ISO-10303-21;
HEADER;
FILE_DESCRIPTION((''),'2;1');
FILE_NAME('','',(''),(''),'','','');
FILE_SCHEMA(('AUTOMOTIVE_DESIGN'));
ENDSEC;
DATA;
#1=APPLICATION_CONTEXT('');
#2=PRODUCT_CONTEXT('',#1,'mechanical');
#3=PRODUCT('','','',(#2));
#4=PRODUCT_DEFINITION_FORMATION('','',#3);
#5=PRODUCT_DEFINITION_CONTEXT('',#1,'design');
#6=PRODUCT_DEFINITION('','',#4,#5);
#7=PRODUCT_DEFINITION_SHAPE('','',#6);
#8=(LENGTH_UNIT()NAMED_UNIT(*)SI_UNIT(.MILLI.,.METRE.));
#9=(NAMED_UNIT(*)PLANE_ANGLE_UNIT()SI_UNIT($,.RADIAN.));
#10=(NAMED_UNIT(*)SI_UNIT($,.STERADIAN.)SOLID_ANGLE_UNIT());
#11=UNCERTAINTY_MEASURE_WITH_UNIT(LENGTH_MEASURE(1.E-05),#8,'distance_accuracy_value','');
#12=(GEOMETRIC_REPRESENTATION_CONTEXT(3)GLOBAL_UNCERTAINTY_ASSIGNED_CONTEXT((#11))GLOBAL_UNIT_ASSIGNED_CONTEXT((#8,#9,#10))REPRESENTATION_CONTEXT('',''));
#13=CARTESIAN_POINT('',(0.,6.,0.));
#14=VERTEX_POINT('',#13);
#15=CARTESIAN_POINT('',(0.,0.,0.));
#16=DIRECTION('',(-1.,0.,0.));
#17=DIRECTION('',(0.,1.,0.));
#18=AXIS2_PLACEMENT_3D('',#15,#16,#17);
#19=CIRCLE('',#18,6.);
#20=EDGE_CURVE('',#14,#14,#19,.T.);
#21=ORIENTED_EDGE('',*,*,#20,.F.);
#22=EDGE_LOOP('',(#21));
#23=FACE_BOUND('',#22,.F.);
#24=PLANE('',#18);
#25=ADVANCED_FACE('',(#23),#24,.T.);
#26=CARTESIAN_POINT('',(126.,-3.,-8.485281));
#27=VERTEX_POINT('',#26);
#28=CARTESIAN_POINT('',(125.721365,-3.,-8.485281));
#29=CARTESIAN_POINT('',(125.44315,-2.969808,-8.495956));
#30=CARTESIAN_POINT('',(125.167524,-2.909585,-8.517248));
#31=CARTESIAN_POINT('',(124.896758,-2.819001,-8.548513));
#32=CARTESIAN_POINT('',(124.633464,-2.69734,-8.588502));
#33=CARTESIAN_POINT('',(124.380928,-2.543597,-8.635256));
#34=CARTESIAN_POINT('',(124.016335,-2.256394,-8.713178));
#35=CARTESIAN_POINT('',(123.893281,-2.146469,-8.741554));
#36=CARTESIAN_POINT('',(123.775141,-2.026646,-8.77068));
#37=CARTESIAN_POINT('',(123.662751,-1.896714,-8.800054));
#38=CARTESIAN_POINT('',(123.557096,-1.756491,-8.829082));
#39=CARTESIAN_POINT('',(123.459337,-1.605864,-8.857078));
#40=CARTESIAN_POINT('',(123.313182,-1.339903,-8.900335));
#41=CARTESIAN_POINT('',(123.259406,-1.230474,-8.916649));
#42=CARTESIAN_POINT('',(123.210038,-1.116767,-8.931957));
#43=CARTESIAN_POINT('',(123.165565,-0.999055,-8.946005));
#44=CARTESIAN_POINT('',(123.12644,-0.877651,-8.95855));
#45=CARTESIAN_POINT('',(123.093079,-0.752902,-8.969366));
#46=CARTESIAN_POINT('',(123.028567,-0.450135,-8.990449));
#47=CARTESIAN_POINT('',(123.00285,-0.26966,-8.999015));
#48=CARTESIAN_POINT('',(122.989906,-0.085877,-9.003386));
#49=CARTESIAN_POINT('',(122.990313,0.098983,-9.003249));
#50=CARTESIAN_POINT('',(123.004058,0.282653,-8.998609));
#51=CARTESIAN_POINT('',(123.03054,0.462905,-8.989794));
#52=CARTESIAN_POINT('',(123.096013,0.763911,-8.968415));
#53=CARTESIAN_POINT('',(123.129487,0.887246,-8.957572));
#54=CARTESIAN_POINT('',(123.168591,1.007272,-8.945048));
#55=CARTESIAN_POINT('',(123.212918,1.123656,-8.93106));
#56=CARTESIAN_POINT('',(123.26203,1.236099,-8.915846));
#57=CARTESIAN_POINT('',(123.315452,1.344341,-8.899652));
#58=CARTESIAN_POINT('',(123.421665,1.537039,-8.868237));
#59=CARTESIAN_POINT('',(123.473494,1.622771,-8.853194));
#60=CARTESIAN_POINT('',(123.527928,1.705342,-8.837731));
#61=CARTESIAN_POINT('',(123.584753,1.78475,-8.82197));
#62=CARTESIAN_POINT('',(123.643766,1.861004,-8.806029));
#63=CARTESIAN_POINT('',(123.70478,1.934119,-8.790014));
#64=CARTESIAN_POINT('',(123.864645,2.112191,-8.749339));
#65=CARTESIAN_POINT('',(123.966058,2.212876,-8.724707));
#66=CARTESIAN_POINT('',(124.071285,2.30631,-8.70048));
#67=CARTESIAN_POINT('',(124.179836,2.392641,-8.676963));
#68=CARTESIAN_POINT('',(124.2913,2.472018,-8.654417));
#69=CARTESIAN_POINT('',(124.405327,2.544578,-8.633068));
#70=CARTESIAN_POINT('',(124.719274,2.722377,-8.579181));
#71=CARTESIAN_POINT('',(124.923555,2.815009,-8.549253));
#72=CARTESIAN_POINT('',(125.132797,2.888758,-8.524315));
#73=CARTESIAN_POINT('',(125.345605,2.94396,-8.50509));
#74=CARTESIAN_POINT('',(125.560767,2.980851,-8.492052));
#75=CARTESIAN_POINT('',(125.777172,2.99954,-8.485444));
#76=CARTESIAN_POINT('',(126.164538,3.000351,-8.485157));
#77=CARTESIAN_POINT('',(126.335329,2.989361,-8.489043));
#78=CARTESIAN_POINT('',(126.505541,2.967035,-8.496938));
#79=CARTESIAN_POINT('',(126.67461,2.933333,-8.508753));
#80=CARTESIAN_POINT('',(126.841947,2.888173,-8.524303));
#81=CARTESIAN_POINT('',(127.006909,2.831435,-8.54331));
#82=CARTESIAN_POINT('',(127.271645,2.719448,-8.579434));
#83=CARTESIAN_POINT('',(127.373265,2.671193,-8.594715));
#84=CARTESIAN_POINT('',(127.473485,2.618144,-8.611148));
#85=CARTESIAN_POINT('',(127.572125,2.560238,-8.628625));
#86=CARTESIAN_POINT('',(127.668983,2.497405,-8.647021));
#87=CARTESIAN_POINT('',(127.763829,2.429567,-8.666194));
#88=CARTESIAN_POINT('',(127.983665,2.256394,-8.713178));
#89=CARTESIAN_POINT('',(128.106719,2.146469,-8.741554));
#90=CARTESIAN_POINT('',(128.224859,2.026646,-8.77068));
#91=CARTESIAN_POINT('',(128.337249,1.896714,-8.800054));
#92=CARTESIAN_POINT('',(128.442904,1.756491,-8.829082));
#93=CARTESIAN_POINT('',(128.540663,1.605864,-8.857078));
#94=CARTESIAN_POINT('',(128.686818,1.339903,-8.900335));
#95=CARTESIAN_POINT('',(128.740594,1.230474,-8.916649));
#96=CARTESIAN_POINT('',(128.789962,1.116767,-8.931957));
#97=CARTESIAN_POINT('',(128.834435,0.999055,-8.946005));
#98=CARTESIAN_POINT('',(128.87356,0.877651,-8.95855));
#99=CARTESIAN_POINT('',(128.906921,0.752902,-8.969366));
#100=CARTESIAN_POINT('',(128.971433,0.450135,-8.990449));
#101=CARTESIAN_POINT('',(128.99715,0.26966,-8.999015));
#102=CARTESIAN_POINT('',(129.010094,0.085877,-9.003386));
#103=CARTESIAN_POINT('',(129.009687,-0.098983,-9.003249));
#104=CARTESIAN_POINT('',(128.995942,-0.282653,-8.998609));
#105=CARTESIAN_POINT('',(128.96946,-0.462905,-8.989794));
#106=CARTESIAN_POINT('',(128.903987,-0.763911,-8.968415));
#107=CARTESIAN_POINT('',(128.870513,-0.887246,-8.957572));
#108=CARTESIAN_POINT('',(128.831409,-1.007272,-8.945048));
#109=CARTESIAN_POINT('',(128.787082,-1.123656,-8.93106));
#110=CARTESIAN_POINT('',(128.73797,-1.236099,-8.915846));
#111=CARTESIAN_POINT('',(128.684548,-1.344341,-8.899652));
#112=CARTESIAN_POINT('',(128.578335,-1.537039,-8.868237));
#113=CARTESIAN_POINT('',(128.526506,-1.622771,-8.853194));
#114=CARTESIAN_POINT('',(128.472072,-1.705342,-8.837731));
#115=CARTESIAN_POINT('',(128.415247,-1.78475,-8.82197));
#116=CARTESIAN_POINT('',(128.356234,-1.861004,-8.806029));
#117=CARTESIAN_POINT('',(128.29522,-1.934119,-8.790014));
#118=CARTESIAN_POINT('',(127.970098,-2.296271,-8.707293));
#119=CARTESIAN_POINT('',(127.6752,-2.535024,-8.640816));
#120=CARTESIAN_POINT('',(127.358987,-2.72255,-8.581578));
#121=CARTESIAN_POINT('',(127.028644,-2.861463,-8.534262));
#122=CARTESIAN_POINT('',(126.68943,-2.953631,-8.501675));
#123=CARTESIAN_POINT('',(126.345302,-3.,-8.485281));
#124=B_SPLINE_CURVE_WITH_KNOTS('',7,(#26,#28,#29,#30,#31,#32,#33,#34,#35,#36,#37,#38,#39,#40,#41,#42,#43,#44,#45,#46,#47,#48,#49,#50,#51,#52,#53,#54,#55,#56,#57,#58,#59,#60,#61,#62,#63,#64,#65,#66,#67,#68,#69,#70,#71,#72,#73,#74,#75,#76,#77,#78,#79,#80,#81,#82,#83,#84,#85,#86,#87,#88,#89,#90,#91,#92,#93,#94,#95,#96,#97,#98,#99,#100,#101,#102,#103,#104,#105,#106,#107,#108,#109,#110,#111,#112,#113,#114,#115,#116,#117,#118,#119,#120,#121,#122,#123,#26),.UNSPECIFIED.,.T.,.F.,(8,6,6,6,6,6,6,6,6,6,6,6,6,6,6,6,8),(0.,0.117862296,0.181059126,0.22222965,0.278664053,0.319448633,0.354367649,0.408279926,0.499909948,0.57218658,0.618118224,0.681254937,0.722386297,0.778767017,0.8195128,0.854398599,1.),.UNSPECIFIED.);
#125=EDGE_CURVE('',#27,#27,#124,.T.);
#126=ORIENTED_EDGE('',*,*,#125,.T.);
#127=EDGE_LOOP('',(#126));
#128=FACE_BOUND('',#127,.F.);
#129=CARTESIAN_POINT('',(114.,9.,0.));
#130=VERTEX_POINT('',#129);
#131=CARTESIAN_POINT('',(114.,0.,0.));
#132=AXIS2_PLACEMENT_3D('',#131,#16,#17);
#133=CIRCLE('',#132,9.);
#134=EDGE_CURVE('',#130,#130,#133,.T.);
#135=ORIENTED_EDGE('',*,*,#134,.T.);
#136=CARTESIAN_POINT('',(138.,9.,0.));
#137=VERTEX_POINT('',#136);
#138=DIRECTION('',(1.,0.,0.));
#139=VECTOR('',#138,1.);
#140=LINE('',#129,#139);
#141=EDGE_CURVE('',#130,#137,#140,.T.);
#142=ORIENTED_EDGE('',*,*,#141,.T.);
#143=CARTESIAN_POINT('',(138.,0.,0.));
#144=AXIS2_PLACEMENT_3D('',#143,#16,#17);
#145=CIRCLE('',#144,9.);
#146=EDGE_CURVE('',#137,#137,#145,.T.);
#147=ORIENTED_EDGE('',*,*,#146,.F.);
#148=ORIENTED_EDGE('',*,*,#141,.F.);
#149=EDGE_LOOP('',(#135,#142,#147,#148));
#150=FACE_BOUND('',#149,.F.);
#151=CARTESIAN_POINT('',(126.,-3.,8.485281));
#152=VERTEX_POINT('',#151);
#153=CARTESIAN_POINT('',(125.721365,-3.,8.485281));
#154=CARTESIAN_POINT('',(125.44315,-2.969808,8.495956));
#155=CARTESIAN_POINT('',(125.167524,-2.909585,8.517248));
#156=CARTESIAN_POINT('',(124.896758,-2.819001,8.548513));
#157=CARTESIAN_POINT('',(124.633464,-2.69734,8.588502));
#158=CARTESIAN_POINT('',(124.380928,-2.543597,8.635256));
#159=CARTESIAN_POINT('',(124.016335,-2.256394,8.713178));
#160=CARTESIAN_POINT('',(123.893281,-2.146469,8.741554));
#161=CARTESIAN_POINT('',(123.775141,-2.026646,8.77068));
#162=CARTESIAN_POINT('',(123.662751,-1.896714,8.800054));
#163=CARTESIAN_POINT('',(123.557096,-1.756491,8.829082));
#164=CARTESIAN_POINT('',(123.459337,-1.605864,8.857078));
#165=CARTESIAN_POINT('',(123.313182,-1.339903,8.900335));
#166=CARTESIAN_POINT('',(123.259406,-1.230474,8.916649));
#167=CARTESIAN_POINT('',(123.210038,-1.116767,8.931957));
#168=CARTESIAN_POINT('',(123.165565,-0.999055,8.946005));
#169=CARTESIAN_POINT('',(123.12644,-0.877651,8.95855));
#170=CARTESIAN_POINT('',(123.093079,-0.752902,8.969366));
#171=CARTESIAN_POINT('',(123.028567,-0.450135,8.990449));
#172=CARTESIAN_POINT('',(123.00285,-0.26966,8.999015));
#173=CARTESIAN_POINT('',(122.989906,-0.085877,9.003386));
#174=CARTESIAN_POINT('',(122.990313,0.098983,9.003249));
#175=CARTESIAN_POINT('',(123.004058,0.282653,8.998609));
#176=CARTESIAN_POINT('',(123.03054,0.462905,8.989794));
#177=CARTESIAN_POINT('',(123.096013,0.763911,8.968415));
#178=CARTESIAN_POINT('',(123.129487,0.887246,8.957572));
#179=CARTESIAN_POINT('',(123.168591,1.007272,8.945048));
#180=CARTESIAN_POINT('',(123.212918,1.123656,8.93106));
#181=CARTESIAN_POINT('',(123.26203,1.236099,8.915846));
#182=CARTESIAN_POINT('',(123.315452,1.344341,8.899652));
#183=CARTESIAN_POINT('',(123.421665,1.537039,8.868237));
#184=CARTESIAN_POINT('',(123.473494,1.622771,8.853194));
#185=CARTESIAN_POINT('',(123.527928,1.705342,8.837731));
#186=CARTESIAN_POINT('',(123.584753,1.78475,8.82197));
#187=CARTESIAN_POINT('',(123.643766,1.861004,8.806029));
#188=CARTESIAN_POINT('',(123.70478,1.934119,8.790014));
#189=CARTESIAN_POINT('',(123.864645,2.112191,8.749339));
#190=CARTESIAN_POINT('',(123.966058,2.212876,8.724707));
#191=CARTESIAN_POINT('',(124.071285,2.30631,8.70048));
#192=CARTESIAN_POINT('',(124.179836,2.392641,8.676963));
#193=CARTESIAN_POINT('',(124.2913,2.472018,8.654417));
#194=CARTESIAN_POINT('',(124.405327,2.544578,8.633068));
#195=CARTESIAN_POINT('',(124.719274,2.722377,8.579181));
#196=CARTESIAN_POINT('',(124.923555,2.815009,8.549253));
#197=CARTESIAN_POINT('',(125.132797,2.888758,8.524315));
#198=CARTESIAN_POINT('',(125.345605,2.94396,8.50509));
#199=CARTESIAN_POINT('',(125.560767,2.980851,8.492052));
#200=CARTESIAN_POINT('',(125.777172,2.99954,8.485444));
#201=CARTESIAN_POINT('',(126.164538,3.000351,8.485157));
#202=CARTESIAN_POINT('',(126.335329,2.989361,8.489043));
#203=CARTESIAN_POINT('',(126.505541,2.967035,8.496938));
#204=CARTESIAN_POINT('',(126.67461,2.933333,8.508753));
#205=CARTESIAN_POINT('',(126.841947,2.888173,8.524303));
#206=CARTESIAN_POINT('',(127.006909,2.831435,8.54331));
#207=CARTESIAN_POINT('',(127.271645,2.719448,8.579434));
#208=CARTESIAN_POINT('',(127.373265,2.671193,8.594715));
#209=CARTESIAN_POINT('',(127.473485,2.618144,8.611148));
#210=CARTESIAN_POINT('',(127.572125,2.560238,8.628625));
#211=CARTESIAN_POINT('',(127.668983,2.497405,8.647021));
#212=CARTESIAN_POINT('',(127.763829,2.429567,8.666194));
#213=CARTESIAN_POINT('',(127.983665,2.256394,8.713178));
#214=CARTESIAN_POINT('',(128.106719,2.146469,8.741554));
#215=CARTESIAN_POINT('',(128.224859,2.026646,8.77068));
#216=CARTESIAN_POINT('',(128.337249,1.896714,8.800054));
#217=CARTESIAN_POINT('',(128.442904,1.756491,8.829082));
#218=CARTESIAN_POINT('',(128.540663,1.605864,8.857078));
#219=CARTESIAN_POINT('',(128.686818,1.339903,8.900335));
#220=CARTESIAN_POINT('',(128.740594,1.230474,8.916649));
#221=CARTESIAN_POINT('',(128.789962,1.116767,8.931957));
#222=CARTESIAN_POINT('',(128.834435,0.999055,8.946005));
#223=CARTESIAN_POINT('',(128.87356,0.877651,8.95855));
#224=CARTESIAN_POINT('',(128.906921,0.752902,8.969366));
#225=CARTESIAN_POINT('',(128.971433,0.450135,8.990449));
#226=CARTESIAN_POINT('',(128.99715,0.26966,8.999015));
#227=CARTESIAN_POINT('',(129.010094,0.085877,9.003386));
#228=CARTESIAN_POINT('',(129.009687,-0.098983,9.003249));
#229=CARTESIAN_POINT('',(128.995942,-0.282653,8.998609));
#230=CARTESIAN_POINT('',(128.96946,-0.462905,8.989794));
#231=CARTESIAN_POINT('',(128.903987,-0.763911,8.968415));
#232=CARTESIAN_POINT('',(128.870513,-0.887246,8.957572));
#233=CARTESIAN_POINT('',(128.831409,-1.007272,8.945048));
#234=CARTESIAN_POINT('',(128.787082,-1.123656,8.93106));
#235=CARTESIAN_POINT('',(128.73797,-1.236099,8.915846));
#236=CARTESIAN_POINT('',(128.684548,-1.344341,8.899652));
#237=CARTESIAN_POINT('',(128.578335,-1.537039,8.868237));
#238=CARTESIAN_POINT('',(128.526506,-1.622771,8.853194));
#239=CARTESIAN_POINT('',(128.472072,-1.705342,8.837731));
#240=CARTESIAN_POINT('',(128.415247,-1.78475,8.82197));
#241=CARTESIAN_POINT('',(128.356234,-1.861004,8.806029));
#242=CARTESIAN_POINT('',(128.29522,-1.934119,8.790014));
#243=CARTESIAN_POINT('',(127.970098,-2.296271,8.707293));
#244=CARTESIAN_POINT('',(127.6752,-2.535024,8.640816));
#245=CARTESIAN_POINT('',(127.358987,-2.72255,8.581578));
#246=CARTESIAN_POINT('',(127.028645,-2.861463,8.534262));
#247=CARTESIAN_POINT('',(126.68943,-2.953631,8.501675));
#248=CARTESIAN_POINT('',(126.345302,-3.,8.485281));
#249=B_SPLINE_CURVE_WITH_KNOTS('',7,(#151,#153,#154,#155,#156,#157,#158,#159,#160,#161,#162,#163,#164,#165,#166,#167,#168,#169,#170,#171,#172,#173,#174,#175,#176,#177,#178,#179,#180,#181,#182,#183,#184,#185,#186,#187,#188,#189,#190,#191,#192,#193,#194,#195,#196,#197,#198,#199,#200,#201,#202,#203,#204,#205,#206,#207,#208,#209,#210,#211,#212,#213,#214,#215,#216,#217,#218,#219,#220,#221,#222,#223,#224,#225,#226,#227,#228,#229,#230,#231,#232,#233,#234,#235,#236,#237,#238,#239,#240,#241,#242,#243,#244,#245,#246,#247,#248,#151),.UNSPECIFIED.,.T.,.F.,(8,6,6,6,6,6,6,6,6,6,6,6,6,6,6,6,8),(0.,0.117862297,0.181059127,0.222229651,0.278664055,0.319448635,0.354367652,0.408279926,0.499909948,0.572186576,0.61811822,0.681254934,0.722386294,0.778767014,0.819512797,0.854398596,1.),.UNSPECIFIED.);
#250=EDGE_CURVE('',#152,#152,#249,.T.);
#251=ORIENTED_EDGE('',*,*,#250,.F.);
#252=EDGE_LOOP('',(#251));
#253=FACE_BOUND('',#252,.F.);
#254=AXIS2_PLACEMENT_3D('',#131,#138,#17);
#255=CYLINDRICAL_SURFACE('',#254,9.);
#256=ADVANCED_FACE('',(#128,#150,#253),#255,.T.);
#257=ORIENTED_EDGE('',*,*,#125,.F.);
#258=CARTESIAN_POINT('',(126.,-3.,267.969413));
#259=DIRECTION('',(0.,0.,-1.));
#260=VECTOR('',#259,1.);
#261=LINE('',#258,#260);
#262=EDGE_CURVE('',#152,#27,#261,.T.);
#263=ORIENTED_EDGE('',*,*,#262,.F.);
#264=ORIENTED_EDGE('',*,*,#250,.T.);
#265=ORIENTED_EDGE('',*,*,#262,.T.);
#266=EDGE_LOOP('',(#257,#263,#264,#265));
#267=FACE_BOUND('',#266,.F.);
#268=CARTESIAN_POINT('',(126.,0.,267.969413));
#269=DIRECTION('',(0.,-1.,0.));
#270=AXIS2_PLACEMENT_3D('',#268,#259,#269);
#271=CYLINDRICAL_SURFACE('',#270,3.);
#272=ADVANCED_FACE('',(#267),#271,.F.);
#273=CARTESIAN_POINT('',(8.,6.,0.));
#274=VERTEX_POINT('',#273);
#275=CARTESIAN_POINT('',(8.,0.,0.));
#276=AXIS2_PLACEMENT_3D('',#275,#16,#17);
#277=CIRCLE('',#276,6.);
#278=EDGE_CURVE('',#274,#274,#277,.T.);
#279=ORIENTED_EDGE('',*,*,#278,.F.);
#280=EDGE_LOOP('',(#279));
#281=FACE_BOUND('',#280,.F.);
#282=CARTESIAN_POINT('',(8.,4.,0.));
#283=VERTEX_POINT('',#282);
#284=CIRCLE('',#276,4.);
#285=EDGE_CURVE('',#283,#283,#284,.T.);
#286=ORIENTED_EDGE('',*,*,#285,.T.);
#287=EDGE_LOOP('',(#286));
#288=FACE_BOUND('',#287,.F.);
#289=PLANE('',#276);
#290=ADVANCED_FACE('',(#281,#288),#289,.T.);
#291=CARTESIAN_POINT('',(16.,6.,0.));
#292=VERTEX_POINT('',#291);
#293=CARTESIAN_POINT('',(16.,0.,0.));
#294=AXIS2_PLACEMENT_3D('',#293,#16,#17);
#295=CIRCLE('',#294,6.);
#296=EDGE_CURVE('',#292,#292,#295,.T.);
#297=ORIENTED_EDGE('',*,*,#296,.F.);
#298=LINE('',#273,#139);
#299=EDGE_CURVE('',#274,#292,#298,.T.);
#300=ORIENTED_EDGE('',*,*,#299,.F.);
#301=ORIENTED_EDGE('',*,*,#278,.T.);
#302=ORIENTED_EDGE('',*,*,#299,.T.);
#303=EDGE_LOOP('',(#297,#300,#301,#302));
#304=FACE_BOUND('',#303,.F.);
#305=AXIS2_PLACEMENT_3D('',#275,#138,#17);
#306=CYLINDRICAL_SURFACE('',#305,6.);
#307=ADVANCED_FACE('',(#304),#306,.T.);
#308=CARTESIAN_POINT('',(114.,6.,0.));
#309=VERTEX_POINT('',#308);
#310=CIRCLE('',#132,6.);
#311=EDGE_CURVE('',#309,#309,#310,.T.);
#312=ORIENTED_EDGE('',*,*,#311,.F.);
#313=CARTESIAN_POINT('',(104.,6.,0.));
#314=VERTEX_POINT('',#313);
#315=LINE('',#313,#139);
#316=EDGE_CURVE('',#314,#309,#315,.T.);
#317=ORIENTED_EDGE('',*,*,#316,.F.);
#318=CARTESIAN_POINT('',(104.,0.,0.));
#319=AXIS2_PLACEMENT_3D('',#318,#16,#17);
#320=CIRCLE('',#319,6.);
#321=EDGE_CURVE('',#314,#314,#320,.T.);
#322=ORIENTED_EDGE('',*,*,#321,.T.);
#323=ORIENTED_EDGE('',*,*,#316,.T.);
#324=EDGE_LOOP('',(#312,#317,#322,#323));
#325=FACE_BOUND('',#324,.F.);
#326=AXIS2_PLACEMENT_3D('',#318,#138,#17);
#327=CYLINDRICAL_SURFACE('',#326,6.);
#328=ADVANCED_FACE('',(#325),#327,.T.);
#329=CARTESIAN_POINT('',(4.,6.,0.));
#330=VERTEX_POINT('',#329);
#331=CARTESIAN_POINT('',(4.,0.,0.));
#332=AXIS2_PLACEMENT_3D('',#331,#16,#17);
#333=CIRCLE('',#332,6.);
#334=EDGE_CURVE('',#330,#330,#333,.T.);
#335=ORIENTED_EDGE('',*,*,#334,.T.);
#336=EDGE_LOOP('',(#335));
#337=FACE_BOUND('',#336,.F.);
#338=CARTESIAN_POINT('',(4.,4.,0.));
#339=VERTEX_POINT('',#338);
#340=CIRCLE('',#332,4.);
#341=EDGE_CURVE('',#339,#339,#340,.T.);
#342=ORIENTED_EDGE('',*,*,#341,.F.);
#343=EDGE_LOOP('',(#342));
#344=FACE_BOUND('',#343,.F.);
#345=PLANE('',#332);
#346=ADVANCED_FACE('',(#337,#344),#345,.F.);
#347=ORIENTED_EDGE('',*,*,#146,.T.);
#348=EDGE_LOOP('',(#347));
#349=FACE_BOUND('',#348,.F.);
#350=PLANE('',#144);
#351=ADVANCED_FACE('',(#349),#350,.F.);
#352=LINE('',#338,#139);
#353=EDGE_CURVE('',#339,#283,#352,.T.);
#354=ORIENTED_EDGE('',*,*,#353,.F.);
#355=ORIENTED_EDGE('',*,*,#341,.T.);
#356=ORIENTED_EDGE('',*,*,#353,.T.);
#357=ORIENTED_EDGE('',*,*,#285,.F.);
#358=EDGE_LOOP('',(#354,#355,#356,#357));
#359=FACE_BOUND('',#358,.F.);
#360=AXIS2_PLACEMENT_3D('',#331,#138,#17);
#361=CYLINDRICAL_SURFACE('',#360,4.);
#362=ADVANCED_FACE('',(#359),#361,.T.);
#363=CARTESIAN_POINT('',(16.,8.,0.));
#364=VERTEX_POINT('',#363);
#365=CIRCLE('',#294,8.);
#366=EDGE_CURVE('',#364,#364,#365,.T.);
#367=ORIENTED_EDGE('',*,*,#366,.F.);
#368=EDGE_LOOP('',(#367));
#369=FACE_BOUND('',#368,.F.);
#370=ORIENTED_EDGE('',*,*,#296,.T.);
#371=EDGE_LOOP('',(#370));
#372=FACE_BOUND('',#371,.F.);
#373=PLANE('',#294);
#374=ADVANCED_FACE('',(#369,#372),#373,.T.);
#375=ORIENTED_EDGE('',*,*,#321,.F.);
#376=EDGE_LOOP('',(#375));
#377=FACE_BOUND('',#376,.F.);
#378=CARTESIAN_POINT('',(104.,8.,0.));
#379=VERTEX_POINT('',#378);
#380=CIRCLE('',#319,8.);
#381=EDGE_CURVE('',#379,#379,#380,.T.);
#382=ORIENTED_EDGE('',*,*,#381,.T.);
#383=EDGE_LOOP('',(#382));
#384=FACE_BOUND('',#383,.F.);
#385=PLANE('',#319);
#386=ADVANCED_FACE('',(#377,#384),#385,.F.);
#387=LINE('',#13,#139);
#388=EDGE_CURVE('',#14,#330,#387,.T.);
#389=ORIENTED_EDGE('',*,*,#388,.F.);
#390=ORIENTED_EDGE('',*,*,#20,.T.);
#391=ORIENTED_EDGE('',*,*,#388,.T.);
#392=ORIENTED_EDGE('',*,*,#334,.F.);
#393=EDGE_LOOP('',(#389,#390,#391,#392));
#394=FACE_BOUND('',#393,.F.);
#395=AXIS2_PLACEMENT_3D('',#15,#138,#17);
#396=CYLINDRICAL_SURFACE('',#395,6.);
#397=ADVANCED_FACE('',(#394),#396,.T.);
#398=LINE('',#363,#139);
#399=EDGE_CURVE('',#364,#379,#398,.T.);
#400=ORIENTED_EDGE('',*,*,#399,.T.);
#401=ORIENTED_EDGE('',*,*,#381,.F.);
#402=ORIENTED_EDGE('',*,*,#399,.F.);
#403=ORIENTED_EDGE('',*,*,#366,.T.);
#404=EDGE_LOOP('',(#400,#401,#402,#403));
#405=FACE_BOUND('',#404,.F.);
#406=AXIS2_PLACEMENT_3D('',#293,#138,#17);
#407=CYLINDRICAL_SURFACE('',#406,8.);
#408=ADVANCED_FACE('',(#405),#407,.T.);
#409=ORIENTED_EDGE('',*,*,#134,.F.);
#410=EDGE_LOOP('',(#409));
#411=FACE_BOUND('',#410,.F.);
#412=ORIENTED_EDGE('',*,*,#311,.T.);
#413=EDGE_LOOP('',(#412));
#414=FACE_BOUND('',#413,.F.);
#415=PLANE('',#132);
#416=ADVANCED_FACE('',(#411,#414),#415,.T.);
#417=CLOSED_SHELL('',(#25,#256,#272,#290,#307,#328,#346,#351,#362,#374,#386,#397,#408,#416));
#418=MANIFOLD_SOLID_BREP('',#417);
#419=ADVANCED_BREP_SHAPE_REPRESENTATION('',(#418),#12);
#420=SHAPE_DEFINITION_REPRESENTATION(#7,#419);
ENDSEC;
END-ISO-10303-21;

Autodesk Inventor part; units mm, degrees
ref_plane "YZ Plane" through (0, 0, 0) normal (1, 0, 0) x (0, 1, 0)
ref_plane "XZ Plane" through (0, 0, 0) normal (0, 1, 0) x (-1, 0, 0)
ref_plane "XY Plane" through (0, 0, 0) normal (0, 0, 1) x (1, 0, 0)
sketch "Esboço1" plane through (0, 0, 0) normal (0, 0, 1) x (1, 0, 0)
  line L0 (0, 0) -> (0, 6)
  line L1 (0, 6) -> (4, 6)
  line L2 (4, 6) -> (4, 4)
  line L3 (4, 4) -> (8, 4)
  line L4 (8, 4) -> (8, 6)
  line L5 (8, 6) -> (16, 6)
  line L6 (16, 6) -> (16, 8)
  line L7 (16, 8) -> (104, 8)
  line L8 (104, 8) -> (104, 6)
  line L9 (104, 6) -> (114, 6)
  line L10 (114, 6) -> (114, 9)
  line L11 (114, 9) -> (138, 9)
  line L12 (138, 9) -> (138, 0)
  line L13 (138, 0) -> (0, 0)
  dimension "d0" = 6
  dimension "d1" = 4
  dimension "d2" = 2
  dimension "d3" = 4
  dimension "d4" = 2
  dimension "d5" = 8
  dimension "d6" = 2
  dimension "d7" = 88
  dimension "d11" = 2
  dimension "d12" = 10
  dimension "d13" = 3
  dimension "d14" = 24
revolve "Revolução1" add sketch "Esboço1" angle 360 about axis through (138, 0, 0) along (-1, 0, 0)
sketch "Esboço2" plane through (0, 0, 0) normal (0, 0, 1) x (1, 0, 0)
  line L0 (138, -9) -> (138, 9) projected
  line L1 (138, 0) -> (126, 0)
  point P0 (0, 0)
  dimension "d16" = 12
hole "Furo1" at (126, 0, 0) direction (0, 0, -1) diameter 6 end through all both
thread "Rosca1" size "M16x1" class "6g" standard "ANSI Metric M Profile" full length
properties part number "haste_roscada" material "Aluminum 6061-AHC"
